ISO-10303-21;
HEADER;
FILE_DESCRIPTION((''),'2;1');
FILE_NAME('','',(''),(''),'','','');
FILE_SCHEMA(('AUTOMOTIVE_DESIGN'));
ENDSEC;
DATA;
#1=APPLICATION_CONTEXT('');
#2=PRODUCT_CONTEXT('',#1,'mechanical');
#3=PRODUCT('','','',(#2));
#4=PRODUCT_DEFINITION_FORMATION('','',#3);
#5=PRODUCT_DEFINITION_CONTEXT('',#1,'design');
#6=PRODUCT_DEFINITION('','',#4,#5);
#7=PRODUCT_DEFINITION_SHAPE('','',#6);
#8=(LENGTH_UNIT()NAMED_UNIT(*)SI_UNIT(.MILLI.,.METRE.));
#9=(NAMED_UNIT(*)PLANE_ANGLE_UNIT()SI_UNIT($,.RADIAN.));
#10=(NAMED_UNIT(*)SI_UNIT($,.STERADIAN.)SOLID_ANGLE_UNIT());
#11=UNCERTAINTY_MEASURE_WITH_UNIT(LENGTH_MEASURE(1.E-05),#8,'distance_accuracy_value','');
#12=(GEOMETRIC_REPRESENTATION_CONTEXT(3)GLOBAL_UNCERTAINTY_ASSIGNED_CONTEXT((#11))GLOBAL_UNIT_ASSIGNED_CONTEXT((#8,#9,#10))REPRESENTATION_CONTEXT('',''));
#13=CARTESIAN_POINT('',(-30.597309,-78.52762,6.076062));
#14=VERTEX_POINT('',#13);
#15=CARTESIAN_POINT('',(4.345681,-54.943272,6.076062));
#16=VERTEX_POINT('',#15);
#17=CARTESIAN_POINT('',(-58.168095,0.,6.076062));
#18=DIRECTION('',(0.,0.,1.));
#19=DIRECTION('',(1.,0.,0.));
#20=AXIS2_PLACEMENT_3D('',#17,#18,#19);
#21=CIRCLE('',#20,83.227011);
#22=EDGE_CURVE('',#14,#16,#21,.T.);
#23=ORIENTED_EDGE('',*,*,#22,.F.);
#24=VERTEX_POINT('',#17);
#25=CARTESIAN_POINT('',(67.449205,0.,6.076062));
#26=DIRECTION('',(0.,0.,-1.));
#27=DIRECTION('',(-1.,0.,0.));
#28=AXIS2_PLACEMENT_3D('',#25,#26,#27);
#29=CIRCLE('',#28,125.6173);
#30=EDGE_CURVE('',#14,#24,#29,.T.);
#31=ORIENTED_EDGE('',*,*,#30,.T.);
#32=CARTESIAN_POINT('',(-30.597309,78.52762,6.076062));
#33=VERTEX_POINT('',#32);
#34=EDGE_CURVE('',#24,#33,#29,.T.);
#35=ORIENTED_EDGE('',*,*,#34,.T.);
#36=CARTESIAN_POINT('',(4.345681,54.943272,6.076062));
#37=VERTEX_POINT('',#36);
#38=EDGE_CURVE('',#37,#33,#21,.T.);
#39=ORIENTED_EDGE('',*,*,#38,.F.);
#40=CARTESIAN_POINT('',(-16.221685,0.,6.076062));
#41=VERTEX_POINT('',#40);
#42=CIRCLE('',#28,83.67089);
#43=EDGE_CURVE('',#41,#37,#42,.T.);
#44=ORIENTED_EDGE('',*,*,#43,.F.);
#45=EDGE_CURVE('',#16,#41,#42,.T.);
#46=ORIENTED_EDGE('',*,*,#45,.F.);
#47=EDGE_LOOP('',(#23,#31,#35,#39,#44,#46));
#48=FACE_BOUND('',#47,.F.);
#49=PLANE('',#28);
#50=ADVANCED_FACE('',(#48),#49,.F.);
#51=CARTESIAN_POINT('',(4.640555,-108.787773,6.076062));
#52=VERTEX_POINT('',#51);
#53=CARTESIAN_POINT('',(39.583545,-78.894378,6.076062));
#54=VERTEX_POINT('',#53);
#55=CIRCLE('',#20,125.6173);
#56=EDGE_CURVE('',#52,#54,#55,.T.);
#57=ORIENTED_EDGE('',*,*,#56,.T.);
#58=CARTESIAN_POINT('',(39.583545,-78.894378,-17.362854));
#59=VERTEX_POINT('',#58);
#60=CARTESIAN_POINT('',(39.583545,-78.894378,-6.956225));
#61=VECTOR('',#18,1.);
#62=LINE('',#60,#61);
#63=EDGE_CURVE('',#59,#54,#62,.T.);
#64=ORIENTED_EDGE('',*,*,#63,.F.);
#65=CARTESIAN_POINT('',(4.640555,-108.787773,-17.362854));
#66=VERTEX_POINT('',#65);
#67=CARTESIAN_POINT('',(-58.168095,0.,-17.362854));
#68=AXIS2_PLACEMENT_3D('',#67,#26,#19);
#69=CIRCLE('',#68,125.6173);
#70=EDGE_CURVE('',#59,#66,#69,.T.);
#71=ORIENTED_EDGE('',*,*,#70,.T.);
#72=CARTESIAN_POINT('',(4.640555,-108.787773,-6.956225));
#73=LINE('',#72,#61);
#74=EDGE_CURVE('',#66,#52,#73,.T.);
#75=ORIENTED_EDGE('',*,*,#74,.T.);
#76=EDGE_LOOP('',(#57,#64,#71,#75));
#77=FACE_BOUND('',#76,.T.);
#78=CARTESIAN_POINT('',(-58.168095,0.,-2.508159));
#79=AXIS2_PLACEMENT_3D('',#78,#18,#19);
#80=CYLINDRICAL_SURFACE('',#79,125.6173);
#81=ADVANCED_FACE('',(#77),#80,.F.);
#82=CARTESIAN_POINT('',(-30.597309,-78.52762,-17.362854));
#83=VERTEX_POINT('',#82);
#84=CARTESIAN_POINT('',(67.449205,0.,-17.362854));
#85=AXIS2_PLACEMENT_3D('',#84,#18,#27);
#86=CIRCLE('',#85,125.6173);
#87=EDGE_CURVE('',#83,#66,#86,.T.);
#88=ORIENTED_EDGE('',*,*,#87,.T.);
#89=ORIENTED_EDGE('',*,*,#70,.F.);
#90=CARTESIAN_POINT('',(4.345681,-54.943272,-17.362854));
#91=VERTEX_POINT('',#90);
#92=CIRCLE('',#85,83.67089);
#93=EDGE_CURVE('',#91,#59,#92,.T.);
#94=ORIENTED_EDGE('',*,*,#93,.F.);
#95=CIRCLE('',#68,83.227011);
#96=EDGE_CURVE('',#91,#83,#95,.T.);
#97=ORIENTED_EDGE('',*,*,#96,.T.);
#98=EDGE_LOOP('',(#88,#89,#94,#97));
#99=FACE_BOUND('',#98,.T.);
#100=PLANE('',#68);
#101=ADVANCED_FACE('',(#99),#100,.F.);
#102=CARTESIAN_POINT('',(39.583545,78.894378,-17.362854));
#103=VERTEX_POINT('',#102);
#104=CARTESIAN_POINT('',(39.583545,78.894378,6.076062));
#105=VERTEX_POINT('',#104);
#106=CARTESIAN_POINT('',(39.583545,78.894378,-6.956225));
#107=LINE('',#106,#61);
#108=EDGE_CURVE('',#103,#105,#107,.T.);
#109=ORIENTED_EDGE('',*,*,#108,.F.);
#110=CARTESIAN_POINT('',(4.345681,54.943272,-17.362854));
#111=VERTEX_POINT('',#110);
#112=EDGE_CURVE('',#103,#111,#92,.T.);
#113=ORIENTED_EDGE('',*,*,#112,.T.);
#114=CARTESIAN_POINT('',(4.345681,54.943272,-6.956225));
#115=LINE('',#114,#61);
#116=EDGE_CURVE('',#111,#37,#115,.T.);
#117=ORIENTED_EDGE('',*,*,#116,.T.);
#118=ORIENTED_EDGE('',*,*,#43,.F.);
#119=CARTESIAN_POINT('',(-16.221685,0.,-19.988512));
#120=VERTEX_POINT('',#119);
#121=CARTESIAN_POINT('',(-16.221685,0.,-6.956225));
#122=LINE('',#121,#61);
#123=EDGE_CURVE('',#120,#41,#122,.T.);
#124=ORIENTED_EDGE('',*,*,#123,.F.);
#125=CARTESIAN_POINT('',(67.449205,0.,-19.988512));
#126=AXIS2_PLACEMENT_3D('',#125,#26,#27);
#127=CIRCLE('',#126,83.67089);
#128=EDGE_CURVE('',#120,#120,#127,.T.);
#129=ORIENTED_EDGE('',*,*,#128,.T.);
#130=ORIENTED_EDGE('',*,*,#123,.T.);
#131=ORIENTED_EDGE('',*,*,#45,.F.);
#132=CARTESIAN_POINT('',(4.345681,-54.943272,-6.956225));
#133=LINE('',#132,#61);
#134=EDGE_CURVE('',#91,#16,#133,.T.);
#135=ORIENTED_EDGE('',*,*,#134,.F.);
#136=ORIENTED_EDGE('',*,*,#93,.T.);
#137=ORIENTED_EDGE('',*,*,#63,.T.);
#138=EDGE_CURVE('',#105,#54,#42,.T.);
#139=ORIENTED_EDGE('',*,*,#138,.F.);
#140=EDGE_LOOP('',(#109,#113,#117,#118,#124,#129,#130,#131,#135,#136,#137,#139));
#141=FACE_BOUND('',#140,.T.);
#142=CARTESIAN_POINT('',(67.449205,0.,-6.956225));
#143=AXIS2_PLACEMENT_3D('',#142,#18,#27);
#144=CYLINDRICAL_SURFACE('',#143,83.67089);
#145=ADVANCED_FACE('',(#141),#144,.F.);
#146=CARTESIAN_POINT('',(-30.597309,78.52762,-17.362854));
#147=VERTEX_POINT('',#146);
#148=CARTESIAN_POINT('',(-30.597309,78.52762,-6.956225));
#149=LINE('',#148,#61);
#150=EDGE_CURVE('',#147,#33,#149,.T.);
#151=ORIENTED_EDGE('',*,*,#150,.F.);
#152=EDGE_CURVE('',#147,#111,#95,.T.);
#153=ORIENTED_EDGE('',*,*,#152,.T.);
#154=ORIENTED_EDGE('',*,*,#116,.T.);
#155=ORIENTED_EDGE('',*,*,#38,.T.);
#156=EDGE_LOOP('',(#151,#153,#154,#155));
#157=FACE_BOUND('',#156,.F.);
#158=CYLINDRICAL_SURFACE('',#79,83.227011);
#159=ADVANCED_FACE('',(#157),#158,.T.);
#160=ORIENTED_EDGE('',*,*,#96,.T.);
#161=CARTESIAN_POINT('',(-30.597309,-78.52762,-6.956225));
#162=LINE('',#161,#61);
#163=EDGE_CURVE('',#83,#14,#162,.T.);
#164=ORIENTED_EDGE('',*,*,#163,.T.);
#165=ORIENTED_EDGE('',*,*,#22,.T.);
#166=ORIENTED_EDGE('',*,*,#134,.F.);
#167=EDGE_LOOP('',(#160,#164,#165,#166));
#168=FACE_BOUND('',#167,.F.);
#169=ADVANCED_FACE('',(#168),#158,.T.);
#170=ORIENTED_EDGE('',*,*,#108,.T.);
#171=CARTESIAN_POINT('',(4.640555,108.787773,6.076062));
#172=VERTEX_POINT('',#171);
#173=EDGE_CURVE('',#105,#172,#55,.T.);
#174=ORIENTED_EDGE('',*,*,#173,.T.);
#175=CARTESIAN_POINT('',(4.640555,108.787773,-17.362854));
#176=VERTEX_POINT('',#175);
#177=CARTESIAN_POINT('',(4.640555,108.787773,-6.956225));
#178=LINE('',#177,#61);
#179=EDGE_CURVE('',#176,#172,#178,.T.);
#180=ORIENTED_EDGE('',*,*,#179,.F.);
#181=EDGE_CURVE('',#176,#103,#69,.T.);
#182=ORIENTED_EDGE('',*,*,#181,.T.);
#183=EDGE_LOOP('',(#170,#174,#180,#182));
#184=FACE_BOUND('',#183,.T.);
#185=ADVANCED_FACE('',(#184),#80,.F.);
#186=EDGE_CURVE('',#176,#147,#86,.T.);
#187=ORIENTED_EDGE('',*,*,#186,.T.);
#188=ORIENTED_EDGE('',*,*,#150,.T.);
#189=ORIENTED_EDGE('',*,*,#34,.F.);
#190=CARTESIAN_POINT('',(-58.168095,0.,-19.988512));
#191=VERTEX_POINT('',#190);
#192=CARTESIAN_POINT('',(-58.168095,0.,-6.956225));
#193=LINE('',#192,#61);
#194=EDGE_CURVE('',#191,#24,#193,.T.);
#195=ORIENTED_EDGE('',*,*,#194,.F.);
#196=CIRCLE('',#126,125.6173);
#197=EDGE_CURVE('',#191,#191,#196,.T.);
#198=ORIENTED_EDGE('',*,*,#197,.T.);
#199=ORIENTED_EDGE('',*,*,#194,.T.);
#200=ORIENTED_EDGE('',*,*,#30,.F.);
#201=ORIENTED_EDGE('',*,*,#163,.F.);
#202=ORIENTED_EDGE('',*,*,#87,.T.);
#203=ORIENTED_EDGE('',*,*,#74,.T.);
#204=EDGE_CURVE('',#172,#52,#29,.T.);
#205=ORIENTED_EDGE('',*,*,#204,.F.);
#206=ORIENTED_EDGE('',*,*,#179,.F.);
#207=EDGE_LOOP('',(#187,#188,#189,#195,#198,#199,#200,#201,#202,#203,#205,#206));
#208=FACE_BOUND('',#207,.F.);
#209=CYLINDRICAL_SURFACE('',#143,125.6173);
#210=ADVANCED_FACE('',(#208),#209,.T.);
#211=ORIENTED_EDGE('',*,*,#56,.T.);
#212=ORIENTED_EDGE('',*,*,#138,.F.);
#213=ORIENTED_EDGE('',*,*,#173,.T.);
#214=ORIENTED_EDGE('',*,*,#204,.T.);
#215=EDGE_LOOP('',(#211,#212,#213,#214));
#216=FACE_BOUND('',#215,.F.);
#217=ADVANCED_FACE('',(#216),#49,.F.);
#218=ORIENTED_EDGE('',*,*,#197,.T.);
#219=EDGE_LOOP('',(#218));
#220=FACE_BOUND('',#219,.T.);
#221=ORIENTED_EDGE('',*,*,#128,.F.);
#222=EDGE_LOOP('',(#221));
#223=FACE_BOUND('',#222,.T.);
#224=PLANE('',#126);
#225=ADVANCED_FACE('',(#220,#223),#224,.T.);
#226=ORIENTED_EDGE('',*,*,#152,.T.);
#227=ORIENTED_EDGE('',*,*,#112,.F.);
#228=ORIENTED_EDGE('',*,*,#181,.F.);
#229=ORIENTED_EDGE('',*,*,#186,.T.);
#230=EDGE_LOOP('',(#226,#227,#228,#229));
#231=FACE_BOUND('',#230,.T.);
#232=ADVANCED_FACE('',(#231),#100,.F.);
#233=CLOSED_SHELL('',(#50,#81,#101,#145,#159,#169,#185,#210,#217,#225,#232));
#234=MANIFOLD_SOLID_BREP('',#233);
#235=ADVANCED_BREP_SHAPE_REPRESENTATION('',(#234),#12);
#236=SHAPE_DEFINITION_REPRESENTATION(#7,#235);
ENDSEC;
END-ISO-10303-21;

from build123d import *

# Parameters (mm, degrees)
F0_W   = 41.94641
F0_H   = 26.064575
F0_W_2 = 42.390289
F0_H_2 = 29.70939


with BuildPart() as f1:
    # F0 (on Front) → F1 (revolve)
    with BuildSketch(Plane.XZ):
        with Locations((-37.19489, -6.956225)):
            Rectangle(F0_W, F0_H)
    revolve(axis=Axis((67.449205, 0, -2.508159), (0, 0, -1)))


with BuildPart() as f2:
    # F0 (on Front) → F2 (revolve)
    with BuildSketch(Plane.XZ):
        with Locations((46.25406, -2.508159)):
            Rectangle(F0_W_2, F0_H_2)
    revolve(axis=Axis((-58.168095, 0, -6.956225), (0, 0, -1)))


with BuildPart() as f1_1:
    add(f1.part)

    # F3: cut F2
    add(f2.part, mode=Mode.SUBTRACT)


solid = f1_1.part
